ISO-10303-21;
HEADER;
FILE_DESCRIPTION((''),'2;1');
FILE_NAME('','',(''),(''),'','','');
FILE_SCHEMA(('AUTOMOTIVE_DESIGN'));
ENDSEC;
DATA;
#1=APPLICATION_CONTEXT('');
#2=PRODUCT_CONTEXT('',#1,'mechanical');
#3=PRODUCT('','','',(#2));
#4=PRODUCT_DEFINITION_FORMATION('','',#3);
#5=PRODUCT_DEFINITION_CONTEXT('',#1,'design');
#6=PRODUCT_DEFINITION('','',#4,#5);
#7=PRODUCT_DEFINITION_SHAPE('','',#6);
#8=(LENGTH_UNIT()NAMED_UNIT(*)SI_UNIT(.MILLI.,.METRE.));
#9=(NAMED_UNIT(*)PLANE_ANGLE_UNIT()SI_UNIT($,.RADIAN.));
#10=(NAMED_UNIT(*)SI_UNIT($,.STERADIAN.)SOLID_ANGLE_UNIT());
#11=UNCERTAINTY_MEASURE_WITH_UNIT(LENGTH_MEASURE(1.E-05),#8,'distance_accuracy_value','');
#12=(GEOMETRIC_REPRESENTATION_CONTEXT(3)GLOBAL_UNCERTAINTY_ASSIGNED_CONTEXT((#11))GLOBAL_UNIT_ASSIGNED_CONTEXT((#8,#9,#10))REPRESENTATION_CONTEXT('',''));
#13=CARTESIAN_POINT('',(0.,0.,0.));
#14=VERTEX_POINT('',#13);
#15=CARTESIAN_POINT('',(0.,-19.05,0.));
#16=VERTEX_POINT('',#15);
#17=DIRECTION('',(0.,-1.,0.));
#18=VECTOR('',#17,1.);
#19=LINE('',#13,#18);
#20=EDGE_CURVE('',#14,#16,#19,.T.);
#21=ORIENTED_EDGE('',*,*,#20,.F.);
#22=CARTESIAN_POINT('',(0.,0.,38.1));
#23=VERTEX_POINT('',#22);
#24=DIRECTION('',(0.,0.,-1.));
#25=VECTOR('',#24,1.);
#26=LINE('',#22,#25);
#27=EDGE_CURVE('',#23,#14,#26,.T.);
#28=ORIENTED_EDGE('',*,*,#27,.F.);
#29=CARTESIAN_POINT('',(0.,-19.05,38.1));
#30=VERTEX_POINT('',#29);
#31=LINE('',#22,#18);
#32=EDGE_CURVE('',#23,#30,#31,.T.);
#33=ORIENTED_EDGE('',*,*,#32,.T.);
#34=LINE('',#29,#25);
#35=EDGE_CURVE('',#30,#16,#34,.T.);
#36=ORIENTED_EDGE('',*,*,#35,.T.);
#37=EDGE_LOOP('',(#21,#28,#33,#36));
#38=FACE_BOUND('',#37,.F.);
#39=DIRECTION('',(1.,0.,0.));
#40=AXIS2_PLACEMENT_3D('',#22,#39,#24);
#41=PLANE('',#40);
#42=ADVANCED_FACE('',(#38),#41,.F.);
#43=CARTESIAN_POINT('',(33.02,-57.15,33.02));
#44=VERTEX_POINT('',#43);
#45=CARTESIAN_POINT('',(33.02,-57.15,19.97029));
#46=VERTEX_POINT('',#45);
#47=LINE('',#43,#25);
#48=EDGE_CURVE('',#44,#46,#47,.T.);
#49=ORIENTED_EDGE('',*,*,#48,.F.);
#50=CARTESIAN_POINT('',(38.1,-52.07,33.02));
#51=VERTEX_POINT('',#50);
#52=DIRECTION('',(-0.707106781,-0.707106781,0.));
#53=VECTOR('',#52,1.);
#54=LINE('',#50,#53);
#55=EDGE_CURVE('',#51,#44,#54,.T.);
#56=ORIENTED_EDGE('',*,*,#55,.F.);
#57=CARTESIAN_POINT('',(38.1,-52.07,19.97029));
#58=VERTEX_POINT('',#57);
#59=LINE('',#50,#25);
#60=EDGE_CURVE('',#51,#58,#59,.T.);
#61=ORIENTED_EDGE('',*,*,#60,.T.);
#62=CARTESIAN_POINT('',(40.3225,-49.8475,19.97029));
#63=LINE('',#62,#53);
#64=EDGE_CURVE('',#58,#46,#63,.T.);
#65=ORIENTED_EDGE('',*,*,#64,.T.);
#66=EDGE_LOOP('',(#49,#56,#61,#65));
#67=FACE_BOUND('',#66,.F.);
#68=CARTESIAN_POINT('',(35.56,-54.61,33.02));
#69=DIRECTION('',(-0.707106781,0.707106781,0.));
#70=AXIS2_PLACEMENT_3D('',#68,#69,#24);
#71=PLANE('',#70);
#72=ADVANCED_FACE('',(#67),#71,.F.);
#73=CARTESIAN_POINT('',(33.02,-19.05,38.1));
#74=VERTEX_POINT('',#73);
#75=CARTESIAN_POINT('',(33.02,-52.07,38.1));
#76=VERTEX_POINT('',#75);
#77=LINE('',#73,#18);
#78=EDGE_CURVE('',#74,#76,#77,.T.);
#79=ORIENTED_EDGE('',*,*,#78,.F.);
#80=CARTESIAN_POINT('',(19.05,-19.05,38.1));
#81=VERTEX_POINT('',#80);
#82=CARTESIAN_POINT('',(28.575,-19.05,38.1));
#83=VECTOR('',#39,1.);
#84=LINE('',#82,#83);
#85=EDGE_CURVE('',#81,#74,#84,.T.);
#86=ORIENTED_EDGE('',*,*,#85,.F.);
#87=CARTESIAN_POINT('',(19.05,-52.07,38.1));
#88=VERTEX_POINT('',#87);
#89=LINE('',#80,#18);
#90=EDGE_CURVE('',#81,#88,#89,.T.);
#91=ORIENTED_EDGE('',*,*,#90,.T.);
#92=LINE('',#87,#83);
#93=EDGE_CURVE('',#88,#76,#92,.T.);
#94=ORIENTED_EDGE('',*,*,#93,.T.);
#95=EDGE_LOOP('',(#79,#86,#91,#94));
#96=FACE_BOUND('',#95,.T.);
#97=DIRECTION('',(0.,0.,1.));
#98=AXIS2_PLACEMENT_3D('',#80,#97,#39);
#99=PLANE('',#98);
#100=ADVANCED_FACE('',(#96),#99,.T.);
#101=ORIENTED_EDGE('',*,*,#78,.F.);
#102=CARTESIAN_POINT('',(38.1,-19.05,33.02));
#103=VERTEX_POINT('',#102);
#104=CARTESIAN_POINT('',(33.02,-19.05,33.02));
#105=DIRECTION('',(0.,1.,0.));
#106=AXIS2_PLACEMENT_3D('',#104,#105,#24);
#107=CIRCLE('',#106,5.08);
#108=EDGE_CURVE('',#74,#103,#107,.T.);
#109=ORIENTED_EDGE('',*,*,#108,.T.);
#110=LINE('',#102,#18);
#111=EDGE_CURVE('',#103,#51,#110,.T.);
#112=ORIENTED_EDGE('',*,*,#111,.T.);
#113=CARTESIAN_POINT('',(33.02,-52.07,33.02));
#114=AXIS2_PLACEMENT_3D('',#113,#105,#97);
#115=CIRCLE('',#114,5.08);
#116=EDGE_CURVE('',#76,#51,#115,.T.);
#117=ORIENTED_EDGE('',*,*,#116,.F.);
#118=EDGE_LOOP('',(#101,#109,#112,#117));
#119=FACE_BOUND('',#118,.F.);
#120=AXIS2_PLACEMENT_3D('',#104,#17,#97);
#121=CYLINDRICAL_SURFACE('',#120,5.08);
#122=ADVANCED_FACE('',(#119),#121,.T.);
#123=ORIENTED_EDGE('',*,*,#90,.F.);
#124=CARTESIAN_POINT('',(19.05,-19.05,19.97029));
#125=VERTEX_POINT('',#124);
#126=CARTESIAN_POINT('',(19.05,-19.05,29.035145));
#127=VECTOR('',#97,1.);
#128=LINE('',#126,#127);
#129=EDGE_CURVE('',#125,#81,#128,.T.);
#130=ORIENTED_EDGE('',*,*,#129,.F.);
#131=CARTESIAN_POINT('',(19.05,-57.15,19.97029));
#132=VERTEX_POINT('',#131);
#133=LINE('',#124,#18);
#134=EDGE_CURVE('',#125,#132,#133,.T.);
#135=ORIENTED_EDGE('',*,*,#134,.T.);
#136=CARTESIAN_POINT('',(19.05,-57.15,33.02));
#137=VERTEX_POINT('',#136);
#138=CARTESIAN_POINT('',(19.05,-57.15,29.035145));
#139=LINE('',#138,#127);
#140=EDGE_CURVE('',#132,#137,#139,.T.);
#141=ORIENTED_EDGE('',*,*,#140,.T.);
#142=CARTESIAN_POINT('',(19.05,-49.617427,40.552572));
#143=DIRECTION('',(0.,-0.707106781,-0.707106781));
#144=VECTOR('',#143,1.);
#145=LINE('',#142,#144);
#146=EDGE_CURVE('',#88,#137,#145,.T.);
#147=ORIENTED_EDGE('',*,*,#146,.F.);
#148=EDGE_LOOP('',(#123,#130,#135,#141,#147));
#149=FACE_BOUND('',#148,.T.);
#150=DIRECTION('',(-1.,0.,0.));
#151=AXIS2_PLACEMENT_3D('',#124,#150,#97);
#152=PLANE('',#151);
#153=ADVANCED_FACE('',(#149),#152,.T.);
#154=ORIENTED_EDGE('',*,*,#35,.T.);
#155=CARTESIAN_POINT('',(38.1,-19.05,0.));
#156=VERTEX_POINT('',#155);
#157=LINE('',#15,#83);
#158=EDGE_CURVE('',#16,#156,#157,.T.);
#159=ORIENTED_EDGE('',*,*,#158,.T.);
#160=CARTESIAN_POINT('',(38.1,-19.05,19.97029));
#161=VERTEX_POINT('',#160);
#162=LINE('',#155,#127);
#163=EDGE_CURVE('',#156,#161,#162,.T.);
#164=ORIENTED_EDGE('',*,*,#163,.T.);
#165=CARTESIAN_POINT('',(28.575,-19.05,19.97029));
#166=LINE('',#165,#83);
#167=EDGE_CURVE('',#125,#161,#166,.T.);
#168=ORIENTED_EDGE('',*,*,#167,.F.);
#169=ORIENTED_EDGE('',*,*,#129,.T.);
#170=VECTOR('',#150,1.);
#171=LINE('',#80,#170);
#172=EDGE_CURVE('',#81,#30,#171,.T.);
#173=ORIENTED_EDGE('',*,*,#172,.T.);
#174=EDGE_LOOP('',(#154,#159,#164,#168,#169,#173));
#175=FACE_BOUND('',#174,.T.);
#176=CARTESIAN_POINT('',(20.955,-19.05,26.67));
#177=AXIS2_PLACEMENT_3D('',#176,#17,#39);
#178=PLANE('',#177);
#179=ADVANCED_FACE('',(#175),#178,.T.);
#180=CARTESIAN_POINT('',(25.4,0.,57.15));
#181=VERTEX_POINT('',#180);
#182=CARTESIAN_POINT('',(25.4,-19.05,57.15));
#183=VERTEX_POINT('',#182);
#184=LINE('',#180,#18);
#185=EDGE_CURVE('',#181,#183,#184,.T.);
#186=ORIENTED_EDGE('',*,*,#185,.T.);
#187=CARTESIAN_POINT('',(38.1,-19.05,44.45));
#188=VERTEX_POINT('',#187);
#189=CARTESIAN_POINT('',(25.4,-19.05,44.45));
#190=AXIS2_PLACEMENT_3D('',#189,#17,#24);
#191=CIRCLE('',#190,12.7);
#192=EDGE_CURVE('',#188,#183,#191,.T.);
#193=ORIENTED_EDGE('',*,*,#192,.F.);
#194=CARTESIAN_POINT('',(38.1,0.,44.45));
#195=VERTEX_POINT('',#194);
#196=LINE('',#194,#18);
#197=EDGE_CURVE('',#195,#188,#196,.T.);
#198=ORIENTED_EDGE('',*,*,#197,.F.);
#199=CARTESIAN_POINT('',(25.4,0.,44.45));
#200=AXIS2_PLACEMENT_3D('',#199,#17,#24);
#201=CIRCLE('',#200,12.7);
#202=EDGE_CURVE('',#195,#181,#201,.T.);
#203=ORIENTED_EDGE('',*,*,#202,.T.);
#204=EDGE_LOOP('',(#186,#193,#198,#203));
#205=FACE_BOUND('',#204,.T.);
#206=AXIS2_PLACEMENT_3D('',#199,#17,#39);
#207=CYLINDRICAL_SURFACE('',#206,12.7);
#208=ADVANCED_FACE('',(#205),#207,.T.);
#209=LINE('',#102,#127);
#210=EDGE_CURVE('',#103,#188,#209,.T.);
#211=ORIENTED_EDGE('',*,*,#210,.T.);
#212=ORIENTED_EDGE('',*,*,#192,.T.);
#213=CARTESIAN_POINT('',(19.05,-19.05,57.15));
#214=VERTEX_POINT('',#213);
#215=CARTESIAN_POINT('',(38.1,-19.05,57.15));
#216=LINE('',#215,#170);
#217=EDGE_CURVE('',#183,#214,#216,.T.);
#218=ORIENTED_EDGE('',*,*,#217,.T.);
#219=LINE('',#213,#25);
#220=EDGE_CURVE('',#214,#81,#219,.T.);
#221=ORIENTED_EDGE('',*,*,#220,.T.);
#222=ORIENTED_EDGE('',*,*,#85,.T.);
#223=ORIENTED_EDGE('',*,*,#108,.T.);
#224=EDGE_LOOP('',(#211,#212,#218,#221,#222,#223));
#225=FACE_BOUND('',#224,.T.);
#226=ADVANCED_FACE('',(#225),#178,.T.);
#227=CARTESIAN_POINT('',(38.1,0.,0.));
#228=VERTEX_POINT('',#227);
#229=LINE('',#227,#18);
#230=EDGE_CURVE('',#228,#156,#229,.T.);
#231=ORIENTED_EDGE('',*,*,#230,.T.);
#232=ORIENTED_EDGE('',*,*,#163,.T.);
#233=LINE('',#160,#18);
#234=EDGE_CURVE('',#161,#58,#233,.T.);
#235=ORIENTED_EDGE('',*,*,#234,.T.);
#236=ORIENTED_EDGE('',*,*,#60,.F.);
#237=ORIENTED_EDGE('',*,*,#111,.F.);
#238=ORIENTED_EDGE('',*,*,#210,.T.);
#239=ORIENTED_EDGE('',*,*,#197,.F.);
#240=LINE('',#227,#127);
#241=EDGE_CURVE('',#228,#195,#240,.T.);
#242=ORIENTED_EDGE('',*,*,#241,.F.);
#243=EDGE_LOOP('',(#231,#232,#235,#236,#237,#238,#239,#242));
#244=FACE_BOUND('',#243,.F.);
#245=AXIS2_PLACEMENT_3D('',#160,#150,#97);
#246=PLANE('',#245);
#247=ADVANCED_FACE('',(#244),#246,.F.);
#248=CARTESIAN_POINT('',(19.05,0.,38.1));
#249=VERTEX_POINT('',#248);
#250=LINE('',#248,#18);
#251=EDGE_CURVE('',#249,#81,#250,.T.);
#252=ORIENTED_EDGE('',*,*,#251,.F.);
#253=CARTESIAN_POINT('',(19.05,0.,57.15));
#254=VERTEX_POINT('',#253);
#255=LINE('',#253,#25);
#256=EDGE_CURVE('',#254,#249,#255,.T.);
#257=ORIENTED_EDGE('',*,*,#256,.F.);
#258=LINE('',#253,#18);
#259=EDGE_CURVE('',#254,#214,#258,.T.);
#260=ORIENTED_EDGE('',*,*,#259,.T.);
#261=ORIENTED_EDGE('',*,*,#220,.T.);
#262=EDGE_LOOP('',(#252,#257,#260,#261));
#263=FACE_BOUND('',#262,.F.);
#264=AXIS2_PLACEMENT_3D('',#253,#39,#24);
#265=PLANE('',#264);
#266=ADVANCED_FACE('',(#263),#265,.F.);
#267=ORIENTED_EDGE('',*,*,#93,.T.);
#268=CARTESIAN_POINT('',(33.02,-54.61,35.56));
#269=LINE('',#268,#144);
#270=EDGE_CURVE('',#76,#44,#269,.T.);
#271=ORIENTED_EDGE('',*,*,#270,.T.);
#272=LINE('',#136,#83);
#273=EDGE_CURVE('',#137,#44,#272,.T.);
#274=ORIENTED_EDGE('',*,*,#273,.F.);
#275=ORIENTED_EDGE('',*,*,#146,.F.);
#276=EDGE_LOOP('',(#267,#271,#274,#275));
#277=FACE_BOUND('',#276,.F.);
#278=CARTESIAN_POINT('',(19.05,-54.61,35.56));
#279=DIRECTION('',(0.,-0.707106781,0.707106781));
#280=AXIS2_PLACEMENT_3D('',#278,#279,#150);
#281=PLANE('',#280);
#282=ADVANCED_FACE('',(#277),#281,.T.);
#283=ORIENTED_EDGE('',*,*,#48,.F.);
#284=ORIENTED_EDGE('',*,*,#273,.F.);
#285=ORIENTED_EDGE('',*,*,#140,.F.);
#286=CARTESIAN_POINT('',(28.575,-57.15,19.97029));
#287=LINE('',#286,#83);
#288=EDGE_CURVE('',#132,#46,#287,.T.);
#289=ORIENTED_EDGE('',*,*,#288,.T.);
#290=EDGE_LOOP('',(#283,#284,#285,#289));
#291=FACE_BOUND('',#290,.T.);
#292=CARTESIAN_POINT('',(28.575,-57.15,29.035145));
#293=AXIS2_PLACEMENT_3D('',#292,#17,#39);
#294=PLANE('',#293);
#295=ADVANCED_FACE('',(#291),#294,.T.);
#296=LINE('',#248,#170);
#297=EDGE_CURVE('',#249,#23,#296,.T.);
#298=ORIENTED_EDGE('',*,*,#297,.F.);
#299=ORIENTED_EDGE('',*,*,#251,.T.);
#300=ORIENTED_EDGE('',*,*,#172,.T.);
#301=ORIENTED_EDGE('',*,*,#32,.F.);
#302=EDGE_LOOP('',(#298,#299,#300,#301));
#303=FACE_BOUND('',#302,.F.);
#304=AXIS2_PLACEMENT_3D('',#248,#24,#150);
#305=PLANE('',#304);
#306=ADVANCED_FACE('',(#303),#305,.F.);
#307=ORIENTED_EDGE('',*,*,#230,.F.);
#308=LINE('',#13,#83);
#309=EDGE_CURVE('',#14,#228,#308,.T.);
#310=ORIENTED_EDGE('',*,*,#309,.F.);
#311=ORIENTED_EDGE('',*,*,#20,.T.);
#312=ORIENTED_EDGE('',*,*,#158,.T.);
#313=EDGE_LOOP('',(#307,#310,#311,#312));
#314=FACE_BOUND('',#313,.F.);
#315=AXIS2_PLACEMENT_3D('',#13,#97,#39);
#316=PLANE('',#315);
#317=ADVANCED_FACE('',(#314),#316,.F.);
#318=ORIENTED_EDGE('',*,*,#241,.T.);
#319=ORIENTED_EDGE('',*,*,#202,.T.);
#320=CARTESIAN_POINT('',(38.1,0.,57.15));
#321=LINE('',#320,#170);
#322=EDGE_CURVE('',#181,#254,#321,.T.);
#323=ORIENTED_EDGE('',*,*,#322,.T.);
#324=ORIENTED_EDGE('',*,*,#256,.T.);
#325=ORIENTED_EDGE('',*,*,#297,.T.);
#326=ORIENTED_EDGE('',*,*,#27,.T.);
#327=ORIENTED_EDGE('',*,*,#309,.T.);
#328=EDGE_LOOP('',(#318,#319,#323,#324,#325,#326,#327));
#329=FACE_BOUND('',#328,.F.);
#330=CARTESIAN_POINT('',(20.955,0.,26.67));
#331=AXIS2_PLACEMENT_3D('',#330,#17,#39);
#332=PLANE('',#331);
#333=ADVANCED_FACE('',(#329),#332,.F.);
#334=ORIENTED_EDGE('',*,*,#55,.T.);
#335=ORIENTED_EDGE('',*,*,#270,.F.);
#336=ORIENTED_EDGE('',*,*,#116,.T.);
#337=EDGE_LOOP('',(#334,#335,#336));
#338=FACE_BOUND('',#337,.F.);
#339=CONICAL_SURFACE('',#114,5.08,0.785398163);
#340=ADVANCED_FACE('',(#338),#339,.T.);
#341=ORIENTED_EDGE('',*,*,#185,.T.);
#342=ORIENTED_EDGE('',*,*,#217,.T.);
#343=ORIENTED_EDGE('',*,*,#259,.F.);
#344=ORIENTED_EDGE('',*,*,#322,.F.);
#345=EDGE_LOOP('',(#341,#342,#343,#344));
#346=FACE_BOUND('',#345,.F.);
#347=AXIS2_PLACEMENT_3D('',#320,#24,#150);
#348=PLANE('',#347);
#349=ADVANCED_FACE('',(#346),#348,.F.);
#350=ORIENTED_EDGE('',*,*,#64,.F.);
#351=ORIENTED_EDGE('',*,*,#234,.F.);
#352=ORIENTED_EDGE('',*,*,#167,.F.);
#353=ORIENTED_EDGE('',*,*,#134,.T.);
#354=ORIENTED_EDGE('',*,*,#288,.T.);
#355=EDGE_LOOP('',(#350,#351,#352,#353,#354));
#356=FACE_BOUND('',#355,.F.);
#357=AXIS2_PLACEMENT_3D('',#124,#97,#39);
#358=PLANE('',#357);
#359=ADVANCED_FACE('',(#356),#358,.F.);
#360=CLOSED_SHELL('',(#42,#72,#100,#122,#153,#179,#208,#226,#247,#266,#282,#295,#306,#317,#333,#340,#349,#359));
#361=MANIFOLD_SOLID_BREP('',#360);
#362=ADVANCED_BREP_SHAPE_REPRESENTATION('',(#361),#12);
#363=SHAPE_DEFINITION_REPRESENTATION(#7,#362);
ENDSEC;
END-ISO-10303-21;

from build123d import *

# Parameters (mm, degrees)
F1_DEPTH = 19.05
F2_W     = 19.05
F2_H     = 18.12971
F3_DEPTH = 38.1
F4_R     = 5.08
F5_SIZE  = 5.08
F6_R     = 12.7


with BuildPart() as f1:
    # F0 (on Front) → F1 (new body)
    with BuildSketch(Plane.XZ):
        Polygon((0, 38.1), (0, 0), (38.1, 0), (38.1, 38.1), (38.1, 57.15), (19.05, 57.15), (19.05, 38.1), align=None)
    extrude(amount=F1_DEPTH)

    # F2 (on face) → F3 (join)
    with BuildSketch(Plane.XZ.offset(19.05)):
        with Locations((28.575, 29.035145)):
            Rectangle(F2_W, F2_H)
    extrude(amount=F3_DEPTH)

    # F4
    f4_edges = [f1.edges().sort_by_distance(p)[0] for p in [
        (38.1, -38.1, 38.1),
    ]]
    fillet(f4_edges, radius=F4_R)

    # F5
    f5_edges = [f1.edges().sort_by_distance(p)[0] for p in [
        (26.035, -57.15, 38.1),
    ]]
    chamfer(f5_edges, length=F5_SIZE)

    # F6
    f6_edges = [f1.edges().sort_by_distance(p)[0] for p in [
        (38.1, -9.525, 57.15),
    ]]
    fillet(f6_edges, radius=F6_R)


solid = f1.part
